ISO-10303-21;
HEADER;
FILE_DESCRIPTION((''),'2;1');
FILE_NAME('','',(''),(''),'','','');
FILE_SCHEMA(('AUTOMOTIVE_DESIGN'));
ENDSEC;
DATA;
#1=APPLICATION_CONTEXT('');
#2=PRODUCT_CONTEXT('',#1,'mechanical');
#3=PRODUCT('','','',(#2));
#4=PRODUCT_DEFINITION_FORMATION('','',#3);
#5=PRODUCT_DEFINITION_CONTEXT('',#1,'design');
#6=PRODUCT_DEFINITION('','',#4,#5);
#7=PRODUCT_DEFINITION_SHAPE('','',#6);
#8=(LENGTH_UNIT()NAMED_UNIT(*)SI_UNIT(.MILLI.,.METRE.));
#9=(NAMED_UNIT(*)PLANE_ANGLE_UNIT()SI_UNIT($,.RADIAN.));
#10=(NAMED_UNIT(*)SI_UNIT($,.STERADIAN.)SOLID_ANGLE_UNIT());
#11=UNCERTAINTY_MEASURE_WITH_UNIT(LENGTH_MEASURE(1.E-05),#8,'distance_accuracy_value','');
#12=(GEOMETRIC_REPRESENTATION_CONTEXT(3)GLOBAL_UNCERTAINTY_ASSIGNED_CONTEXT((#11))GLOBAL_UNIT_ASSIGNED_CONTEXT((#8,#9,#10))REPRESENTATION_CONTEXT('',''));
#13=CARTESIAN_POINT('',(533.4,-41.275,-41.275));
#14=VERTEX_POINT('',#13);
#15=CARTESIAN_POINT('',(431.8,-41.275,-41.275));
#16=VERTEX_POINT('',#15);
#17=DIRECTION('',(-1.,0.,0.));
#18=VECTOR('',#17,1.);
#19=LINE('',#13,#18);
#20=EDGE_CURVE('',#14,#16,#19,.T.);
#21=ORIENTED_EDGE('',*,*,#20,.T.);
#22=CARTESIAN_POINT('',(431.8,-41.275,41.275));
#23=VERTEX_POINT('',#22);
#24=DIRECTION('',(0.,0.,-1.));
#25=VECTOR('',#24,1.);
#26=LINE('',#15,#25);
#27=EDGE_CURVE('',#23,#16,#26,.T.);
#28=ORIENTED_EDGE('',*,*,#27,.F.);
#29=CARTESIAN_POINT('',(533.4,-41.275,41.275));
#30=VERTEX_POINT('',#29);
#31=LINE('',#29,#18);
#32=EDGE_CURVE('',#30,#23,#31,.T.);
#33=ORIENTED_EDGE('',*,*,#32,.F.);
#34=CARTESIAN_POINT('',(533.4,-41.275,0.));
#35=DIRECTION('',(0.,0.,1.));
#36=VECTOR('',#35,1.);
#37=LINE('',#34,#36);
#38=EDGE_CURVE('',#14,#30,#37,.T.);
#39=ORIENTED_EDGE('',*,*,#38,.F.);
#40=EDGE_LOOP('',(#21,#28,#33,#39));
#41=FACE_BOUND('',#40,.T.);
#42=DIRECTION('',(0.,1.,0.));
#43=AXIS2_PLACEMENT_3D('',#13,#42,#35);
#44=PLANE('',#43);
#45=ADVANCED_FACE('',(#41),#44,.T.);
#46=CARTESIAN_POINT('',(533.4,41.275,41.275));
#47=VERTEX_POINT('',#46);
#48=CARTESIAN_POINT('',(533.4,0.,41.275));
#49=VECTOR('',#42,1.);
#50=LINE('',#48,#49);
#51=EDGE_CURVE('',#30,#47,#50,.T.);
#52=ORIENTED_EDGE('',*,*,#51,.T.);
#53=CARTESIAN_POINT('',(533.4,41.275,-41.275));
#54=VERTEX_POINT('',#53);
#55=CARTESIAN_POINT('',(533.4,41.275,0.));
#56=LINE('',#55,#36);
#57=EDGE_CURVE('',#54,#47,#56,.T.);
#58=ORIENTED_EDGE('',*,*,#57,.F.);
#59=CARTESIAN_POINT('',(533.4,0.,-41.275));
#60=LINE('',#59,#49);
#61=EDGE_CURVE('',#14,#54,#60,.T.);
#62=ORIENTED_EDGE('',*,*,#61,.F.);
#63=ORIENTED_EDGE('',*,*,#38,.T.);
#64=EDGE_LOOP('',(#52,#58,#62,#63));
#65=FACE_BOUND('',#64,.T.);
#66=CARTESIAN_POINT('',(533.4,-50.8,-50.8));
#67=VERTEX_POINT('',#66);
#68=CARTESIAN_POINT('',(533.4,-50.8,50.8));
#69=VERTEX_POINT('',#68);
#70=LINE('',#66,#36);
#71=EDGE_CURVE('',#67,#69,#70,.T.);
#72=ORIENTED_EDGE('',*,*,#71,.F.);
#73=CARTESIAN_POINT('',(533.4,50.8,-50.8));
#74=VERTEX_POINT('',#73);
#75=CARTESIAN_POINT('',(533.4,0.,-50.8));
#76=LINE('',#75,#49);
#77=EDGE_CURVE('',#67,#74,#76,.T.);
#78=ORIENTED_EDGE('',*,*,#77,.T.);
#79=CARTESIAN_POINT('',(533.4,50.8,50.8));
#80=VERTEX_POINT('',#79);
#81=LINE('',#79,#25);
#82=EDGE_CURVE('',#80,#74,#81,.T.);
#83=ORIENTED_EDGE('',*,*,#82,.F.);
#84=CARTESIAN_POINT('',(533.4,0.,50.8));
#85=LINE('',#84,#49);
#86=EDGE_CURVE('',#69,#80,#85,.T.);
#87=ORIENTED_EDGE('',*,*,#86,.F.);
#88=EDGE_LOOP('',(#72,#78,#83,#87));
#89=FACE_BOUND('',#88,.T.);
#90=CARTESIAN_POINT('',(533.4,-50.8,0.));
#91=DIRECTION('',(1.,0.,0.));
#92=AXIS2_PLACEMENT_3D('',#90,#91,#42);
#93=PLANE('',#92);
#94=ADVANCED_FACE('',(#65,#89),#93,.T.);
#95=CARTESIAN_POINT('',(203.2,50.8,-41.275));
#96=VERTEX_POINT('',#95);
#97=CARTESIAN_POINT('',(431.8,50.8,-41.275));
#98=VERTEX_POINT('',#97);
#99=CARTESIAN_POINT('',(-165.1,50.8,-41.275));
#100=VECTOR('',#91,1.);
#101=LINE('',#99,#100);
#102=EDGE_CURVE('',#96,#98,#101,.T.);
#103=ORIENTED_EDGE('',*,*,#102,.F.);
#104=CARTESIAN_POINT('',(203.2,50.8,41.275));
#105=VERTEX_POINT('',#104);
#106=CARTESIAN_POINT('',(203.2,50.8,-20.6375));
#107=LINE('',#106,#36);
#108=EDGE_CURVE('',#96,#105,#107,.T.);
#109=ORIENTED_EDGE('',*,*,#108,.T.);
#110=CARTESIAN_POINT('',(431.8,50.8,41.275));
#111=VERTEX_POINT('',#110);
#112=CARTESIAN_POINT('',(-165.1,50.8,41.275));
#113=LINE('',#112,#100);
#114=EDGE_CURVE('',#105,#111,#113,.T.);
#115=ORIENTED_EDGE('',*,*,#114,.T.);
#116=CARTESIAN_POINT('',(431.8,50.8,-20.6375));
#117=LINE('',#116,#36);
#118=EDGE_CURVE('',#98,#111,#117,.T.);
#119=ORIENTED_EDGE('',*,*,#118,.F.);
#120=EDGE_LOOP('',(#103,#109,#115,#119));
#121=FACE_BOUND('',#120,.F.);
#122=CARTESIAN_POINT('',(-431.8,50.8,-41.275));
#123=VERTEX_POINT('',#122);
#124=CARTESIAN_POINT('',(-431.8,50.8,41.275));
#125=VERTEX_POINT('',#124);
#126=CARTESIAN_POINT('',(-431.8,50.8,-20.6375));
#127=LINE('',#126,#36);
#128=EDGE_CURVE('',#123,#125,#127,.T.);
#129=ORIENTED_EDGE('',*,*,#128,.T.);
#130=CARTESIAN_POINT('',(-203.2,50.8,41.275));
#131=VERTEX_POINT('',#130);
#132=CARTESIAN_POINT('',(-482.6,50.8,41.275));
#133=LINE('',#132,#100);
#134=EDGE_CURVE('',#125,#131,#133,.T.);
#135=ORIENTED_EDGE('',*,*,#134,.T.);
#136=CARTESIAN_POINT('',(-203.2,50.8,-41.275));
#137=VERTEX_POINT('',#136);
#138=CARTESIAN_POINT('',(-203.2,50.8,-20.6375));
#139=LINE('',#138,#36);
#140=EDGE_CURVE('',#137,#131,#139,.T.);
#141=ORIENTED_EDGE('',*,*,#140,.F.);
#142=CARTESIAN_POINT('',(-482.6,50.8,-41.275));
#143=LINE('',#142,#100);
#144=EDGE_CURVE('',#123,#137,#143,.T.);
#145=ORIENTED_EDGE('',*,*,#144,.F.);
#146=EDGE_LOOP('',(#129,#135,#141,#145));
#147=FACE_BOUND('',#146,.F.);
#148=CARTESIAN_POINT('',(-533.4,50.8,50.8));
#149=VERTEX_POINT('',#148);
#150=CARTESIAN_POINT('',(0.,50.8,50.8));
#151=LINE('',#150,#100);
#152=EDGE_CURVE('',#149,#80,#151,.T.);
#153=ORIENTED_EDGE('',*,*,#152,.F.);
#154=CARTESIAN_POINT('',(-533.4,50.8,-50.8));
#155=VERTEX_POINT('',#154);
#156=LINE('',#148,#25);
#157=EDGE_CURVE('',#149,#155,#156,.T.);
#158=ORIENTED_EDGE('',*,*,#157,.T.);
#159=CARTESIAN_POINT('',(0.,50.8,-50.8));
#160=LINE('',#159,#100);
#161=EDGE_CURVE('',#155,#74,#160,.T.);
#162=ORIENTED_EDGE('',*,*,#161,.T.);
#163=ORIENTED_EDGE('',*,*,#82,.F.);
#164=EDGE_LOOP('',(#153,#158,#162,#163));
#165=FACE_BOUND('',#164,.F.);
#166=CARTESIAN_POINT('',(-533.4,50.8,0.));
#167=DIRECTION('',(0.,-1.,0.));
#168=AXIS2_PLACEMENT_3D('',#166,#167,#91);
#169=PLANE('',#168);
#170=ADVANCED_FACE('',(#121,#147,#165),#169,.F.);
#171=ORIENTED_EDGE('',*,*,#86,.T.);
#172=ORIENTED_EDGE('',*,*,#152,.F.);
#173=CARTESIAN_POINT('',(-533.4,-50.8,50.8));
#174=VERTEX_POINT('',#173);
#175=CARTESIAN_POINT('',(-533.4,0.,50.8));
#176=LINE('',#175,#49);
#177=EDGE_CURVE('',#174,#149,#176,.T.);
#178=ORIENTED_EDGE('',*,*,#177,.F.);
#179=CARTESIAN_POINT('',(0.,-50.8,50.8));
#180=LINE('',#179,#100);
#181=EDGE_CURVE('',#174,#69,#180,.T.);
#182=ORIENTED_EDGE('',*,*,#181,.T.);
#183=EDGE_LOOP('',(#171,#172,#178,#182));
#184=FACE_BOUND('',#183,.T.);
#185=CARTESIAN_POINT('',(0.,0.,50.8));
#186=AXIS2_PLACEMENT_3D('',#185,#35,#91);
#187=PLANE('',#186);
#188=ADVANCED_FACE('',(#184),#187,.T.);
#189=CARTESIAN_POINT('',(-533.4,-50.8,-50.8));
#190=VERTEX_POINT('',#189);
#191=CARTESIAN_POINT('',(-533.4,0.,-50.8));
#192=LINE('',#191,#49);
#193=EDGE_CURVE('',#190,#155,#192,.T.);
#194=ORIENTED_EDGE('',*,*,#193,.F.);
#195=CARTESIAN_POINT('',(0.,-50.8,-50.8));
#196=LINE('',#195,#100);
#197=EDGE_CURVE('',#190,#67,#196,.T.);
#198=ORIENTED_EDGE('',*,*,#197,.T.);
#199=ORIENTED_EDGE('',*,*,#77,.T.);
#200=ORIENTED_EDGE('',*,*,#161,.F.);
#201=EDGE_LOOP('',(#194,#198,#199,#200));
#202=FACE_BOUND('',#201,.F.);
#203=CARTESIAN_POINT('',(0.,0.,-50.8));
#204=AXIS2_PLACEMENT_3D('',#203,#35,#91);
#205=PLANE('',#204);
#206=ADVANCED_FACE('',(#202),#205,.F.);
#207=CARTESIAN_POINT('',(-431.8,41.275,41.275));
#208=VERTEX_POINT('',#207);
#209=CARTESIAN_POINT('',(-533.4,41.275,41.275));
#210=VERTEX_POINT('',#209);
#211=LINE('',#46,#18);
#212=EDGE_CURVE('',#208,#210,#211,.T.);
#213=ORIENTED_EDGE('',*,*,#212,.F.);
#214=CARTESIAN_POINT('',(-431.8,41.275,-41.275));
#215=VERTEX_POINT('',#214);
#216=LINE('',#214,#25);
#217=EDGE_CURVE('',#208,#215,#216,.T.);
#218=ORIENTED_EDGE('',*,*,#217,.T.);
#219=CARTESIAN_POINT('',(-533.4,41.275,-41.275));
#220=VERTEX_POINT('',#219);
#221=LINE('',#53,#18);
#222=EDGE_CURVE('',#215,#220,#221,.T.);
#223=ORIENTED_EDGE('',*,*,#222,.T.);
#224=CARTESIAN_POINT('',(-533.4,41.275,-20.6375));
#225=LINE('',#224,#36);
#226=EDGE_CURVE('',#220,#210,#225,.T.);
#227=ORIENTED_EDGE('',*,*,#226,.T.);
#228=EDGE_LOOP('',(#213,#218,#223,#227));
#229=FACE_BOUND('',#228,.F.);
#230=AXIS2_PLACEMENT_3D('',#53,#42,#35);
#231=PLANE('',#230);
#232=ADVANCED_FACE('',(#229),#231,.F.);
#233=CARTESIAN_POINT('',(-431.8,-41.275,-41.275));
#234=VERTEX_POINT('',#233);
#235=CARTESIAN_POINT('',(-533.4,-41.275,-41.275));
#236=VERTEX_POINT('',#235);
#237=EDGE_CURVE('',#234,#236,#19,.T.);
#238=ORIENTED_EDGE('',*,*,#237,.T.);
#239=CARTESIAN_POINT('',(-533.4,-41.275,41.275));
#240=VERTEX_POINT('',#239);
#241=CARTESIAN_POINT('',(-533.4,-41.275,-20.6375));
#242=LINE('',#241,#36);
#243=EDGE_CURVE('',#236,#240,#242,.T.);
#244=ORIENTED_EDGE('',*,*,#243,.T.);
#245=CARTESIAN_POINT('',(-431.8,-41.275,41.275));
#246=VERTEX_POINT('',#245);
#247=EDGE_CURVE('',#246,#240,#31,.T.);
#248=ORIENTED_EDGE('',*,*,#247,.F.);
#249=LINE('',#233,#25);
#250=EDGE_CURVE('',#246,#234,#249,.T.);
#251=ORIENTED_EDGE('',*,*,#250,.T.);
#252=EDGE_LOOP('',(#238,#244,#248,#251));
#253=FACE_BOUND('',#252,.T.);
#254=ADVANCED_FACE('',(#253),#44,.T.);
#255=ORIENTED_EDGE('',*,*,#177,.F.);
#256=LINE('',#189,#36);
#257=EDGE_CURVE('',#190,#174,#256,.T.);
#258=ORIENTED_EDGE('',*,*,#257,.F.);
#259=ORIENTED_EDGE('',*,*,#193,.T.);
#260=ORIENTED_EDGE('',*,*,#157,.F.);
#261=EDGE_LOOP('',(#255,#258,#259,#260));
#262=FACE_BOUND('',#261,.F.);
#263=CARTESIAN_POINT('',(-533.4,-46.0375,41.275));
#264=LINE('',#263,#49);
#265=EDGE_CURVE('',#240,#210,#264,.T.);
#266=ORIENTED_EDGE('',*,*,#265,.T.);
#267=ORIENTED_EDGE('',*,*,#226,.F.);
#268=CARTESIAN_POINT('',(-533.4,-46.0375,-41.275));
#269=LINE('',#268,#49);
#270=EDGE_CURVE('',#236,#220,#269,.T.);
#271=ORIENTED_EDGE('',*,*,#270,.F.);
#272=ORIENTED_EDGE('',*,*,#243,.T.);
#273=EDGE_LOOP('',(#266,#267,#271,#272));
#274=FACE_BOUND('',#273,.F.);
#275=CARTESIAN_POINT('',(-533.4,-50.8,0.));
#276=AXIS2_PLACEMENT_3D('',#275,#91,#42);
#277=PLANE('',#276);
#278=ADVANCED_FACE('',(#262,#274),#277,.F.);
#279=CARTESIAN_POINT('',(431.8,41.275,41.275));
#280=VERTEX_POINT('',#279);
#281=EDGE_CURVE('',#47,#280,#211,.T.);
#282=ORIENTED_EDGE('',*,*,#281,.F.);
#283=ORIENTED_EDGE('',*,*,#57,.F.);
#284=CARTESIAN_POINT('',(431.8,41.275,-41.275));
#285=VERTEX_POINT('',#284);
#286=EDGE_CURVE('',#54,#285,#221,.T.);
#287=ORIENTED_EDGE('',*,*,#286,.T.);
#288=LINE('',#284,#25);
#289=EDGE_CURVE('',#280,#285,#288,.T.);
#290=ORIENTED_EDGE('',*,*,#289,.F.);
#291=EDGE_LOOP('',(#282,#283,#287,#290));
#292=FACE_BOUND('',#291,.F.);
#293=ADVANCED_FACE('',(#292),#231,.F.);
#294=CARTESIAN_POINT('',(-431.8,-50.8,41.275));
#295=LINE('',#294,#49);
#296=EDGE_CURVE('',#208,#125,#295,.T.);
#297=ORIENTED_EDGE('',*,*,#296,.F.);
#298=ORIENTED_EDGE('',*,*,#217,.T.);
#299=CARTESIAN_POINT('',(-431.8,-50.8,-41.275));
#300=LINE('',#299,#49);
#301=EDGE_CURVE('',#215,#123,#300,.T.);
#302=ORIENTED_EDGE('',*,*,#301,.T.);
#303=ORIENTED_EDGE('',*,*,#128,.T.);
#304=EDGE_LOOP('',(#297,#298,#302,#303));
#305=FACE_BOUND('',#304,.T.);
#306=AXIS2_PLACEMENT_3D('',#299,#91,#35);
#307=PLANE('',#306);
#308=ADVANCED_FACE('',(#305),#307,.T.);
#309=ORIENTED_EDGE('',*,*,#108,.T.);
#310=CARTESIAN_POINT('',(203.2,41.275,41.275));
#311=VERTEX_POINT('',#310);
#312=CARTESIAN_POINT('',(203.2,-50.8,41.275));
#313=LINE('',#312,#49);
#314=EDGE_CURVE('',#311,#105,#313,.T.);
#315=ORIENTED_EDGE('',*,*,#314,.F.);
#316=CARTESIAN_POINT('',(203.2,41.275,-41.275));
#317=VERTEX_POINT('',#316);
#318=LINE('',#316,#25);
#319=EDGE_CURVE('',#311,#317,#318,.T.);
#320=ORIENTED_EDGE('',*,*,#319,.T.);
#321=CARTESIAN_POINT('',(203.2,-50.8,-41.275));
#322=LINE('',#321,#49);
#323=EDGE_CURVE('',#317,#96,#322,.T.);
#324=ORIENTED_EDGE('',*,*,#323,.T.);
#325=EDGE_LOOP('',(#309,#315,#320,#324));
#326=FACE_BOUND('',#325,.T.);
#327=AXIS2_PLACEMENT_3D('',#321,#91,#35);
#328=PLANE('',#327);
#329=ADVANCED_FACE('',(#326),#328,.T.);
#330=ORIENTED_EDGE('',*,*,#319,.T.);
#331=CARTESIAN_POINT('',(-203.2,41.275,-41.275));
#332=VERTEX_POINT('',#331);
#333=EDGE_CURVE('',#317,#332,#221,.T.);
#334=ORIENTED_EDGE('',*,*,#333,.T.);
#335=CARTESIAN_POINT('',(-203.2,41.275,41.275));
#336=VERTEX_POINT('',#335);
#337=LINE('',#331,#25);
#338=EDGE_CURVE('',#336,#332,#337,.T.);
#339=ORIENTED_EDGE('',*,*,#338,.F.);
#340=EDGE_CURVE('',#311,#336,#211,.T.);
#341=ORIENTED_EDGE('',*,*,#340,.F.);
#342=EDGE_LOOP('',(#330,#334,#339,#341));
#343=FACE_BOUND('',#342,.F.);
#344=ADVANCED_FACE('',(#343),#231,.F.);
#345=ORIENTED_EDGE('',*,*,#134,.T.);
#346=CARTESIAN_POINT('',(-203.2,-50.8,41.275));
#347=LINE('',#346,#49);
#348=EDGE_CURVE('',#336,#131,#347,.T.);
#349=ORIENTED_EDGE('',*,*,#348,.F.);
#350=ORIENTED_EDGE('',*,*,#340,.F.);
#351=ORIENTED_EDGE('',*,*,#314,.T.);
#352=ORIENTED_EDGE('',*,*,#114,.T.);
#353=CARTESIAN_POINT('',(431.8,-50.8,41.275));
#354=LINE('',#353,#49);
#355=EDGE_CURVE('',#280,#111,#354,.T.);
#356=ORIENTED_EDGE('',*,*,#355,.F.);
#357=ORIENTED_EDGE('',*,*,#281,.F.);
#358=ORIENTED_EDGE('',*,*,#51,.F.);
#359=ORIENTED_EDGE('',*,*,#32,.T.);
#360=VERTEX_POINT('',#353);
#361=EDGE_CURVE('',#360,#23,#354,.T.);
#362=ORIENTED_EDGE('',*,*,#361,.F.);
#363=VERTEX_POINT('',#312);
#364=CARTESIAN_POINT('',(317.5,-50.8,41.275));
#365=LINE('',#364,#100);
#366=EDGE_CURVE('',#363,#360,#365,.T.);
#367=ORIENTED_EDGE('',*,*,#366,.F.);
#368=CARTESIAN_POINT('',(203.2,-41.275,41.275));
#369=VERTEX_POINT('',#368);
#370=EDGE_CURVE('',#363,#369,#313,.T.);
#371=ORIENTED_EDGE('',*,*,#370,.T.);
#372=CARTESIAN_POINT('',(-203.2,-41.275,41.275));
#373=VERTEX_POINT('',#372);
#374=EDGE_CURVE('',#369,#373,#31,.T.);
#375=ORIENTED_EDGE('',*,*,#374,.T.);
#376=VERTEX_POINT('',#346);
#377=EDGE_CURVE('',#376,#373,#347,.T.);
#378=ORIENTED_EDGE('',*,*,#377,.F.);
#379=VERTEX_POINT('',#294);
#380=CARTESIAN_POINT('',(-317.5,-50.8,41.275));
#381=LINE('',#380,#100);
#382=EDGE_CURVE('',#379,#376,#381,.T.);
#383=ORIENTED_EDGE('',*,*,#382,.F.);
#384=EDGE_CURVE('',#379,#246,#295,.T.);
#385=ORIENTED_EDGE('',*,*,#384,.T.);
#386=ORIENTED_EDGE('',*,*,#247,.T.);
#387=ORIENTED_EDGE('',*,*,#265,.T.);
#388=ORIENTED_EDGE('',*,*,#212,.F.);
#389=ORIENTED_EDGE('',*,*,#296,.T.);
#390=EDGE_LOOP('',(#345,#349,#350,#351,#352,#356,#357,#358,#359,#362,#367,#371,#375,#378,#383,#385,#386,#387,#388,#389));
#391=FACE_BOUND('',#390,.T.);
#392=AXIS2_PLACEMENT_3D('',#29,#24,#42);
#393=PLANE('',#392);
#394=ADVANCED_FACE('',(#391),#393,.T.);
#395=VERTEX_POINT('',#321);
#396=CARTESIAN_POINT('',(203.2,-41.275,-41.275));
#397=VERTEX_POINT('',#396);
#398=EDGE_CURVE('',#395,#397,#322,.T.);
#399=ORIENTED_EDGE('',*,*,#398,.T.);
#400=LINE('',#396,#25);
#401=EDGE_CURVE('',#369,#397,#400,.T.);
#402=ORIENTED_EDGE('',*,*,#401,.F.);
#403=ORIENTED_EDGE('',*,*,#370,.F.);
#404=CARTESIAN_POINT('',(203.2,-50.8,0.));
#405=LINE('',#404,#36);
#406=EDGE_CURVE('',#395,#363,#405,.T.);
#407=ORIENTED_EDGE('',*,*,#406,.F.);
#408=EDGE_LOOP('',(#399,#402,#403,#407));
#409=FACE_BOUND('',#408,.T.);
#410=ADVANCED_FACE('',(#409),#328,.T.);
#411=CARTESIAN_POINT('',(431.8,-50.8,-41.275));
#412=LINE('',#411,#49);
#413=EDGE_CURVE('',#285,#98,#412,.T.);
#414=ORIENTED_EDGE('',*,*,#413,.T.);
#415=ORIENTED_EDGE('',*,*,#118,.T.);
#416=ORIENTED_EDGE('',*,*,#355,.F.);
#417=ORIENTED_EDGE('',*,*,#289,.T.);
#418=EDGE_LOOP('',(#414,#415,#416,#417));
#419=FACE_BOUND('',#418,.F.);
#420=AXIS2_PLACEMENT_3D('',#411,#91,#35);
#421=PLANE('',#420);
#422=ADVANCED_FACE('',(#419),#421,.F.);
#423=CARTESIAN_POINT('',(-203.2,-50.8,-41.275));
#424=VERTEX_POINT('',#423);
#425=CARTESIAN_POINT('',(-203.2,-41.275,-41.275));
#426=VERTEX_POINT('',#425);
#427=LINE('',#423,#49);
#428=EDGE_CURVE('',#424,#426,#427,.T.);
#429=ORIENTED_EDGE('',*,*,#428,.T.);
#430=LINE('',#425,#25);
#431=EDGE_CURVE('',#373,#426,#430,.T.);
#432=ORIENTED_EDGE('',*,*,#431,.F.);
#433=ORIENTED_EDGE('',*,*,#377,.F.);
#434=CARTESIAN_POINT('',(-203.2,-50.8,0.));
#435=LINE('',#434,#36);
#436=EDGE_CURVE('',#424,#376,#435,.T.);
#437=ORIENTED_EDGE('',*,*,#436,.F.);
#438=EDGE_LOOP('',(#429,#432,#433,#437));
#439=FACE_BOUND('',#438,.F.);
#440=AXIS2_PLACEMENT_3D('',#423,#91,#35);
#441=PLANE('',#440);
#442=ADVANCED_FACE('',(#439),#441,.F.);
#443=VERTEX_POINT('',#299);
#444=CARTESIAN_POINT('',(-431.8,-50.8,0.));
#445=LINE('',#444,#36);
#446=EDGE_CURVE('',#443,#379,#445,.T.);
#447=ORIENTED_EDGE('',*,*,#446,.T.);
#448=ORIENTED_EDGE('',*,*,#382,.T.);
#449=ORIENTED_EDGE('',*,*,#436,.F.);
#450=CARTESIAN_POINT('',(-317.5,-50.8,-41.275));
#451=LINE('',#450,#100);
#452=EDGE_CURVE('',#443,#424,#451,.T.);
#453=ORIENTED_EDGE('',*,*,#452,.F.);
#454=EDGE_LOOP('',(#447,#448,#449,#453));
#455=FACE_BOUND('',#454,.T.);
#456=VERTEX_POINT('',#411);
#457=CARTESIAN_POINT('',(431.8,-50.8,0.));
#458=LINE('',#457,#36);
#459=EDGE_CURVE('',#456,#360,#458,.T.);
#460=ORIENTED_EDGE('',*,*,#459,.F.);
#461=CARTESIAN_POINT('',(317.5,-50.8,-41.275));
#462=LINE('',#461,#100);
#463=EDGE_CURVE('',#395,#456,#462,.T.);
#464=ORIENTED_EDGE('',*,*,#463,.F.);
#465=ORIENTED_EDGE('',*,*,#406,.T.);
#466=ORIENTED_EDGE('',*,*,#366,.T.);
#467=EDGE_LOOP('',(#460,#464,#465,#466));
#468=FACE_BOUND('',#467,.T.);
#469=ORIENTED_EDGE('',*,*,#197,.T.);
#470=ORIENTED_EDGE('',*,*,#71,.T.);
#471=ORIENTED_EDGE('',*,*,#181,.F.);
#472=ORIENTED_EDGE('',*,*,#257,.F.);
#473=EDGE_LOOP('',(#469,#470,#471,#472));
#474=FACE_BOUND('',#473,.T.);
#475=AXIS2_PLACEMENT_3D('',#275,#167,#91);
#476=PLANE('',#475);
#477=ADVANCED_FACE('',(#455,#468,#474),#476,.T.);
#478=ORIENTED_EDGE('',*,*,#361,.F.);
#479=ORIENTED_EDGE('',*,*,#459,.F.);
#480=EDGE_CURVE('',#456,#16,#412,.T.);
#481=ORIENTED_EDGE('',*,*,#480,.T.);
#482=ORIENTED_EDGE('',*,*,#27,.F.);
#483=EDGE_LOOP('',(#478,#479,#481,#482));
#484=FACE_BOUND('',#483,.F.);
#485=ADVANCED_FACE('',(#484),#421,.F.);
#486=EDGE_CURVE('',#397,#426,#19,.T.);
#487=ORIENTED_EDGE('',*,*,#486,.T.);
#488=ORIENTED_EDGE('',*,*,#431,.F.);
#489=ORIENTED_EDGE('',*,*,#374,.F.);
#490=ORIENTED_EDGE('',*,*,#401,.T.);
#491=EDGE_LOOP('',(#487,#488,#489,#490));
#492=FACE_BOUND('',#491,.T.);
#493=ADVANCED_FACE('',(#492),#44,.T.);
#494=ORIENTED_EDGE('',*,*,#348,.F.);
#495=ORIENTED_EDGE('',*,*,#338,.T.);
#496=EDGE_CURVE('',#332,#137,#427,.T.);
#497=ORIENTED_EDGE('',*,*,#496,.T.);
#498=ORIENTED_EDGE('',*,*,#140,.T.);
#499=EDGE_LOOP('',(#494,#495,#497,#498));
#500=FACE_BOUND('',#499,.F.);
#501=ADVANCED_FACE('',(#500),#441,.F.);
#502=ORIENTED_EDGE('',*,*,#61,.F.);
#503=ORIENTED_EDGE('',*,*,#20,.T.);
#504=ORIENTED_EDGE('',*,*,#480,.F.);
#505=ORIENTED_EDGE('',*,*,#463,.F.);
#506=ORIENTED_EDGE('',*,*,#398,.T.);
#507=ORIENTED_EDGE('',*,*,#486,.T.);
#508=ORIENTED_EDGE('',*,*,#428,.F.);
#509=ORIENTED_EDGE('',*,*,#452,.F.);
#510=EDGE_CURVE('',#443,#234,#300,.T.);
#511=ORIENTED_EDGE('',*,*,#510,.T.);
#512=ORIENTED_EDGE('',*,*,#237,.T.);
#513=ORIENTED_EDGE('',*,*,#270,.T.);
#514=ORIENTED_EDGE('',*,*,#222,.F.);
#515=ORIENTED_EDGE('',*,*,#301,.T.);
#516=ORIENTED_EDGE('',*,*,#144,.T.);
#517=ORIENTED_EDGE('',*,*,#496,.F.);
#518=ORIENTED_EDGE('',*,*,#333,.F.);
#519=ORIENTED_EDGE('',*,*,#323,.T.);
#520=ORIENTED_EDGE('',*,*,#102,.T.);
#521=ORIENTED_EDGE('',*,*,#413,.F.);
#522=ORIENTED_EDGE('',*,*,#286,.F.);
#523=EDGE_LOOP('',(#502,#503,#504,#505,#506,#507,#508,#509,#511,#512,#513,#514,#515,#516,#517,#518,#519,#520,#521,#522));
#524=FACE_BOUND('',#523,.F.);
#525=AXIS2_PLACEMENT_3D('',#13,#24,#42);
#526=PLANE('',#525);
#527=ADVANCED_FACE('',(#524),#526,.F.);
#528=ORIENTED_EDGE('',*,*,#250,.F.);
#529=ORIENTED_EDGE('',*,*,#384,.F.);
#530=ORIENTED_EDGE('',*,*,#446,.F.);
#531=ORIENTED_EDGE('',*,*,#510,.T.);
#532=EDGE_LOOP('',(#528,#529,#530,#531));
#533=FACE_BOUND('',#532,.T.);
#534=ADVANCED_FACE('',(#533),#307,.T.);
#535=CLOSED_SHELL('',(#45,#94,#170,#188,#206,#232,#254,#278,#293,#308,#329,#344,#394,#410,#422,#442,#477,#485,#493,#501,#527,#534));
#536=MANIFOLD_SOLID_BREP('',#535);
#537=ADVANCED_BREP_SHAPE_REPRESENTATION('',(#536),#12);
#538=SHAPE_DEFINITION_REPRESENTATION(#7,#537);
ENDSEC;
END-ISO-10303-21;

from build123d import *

# Parameters (mm, degrees)
F0_W     = 1066.8
F0_H     = 101.6
F1_DEPTH = 50.8
F2_W     = 82.55
F2_H     = 82.55
F3_DEPTH = 1066.801
F4_W     = 228.6
F4_H     = 82.55
F5_DEPTH = 101.601


with BuildPart() as f1:
    # F0 (on Top) → F1 (new body, symmetric)
    with BuildSketch(Plane.XY):
        Rectangle(F0_W, F0_H)
    extrude(amount=F1_DEPTH, both=True)

    # F2 (on face) → F3 (cut, through all)
    with BuildSketch(Plane.YZ.offset(533.4)):
        Rectangle(F2_W, F2_H)
    extrude(amount=-F3_DEPTH, mode=Mode.SUBTRACT)

    # F4 (on face) → F5 (cut, through all)
    with BuildSketch(Plane.XZ.offset(50.8)):
        with Locations((-317.5, 0)):
            Rectangle(F4_W, F4_H)
        with Locations((317.5, 0)):
            Rectangle(F4_W, F4_H)
    extrude(amount=-F5_DEPTH, mode=Mode.SUBTRACT)


solid = f1.part
